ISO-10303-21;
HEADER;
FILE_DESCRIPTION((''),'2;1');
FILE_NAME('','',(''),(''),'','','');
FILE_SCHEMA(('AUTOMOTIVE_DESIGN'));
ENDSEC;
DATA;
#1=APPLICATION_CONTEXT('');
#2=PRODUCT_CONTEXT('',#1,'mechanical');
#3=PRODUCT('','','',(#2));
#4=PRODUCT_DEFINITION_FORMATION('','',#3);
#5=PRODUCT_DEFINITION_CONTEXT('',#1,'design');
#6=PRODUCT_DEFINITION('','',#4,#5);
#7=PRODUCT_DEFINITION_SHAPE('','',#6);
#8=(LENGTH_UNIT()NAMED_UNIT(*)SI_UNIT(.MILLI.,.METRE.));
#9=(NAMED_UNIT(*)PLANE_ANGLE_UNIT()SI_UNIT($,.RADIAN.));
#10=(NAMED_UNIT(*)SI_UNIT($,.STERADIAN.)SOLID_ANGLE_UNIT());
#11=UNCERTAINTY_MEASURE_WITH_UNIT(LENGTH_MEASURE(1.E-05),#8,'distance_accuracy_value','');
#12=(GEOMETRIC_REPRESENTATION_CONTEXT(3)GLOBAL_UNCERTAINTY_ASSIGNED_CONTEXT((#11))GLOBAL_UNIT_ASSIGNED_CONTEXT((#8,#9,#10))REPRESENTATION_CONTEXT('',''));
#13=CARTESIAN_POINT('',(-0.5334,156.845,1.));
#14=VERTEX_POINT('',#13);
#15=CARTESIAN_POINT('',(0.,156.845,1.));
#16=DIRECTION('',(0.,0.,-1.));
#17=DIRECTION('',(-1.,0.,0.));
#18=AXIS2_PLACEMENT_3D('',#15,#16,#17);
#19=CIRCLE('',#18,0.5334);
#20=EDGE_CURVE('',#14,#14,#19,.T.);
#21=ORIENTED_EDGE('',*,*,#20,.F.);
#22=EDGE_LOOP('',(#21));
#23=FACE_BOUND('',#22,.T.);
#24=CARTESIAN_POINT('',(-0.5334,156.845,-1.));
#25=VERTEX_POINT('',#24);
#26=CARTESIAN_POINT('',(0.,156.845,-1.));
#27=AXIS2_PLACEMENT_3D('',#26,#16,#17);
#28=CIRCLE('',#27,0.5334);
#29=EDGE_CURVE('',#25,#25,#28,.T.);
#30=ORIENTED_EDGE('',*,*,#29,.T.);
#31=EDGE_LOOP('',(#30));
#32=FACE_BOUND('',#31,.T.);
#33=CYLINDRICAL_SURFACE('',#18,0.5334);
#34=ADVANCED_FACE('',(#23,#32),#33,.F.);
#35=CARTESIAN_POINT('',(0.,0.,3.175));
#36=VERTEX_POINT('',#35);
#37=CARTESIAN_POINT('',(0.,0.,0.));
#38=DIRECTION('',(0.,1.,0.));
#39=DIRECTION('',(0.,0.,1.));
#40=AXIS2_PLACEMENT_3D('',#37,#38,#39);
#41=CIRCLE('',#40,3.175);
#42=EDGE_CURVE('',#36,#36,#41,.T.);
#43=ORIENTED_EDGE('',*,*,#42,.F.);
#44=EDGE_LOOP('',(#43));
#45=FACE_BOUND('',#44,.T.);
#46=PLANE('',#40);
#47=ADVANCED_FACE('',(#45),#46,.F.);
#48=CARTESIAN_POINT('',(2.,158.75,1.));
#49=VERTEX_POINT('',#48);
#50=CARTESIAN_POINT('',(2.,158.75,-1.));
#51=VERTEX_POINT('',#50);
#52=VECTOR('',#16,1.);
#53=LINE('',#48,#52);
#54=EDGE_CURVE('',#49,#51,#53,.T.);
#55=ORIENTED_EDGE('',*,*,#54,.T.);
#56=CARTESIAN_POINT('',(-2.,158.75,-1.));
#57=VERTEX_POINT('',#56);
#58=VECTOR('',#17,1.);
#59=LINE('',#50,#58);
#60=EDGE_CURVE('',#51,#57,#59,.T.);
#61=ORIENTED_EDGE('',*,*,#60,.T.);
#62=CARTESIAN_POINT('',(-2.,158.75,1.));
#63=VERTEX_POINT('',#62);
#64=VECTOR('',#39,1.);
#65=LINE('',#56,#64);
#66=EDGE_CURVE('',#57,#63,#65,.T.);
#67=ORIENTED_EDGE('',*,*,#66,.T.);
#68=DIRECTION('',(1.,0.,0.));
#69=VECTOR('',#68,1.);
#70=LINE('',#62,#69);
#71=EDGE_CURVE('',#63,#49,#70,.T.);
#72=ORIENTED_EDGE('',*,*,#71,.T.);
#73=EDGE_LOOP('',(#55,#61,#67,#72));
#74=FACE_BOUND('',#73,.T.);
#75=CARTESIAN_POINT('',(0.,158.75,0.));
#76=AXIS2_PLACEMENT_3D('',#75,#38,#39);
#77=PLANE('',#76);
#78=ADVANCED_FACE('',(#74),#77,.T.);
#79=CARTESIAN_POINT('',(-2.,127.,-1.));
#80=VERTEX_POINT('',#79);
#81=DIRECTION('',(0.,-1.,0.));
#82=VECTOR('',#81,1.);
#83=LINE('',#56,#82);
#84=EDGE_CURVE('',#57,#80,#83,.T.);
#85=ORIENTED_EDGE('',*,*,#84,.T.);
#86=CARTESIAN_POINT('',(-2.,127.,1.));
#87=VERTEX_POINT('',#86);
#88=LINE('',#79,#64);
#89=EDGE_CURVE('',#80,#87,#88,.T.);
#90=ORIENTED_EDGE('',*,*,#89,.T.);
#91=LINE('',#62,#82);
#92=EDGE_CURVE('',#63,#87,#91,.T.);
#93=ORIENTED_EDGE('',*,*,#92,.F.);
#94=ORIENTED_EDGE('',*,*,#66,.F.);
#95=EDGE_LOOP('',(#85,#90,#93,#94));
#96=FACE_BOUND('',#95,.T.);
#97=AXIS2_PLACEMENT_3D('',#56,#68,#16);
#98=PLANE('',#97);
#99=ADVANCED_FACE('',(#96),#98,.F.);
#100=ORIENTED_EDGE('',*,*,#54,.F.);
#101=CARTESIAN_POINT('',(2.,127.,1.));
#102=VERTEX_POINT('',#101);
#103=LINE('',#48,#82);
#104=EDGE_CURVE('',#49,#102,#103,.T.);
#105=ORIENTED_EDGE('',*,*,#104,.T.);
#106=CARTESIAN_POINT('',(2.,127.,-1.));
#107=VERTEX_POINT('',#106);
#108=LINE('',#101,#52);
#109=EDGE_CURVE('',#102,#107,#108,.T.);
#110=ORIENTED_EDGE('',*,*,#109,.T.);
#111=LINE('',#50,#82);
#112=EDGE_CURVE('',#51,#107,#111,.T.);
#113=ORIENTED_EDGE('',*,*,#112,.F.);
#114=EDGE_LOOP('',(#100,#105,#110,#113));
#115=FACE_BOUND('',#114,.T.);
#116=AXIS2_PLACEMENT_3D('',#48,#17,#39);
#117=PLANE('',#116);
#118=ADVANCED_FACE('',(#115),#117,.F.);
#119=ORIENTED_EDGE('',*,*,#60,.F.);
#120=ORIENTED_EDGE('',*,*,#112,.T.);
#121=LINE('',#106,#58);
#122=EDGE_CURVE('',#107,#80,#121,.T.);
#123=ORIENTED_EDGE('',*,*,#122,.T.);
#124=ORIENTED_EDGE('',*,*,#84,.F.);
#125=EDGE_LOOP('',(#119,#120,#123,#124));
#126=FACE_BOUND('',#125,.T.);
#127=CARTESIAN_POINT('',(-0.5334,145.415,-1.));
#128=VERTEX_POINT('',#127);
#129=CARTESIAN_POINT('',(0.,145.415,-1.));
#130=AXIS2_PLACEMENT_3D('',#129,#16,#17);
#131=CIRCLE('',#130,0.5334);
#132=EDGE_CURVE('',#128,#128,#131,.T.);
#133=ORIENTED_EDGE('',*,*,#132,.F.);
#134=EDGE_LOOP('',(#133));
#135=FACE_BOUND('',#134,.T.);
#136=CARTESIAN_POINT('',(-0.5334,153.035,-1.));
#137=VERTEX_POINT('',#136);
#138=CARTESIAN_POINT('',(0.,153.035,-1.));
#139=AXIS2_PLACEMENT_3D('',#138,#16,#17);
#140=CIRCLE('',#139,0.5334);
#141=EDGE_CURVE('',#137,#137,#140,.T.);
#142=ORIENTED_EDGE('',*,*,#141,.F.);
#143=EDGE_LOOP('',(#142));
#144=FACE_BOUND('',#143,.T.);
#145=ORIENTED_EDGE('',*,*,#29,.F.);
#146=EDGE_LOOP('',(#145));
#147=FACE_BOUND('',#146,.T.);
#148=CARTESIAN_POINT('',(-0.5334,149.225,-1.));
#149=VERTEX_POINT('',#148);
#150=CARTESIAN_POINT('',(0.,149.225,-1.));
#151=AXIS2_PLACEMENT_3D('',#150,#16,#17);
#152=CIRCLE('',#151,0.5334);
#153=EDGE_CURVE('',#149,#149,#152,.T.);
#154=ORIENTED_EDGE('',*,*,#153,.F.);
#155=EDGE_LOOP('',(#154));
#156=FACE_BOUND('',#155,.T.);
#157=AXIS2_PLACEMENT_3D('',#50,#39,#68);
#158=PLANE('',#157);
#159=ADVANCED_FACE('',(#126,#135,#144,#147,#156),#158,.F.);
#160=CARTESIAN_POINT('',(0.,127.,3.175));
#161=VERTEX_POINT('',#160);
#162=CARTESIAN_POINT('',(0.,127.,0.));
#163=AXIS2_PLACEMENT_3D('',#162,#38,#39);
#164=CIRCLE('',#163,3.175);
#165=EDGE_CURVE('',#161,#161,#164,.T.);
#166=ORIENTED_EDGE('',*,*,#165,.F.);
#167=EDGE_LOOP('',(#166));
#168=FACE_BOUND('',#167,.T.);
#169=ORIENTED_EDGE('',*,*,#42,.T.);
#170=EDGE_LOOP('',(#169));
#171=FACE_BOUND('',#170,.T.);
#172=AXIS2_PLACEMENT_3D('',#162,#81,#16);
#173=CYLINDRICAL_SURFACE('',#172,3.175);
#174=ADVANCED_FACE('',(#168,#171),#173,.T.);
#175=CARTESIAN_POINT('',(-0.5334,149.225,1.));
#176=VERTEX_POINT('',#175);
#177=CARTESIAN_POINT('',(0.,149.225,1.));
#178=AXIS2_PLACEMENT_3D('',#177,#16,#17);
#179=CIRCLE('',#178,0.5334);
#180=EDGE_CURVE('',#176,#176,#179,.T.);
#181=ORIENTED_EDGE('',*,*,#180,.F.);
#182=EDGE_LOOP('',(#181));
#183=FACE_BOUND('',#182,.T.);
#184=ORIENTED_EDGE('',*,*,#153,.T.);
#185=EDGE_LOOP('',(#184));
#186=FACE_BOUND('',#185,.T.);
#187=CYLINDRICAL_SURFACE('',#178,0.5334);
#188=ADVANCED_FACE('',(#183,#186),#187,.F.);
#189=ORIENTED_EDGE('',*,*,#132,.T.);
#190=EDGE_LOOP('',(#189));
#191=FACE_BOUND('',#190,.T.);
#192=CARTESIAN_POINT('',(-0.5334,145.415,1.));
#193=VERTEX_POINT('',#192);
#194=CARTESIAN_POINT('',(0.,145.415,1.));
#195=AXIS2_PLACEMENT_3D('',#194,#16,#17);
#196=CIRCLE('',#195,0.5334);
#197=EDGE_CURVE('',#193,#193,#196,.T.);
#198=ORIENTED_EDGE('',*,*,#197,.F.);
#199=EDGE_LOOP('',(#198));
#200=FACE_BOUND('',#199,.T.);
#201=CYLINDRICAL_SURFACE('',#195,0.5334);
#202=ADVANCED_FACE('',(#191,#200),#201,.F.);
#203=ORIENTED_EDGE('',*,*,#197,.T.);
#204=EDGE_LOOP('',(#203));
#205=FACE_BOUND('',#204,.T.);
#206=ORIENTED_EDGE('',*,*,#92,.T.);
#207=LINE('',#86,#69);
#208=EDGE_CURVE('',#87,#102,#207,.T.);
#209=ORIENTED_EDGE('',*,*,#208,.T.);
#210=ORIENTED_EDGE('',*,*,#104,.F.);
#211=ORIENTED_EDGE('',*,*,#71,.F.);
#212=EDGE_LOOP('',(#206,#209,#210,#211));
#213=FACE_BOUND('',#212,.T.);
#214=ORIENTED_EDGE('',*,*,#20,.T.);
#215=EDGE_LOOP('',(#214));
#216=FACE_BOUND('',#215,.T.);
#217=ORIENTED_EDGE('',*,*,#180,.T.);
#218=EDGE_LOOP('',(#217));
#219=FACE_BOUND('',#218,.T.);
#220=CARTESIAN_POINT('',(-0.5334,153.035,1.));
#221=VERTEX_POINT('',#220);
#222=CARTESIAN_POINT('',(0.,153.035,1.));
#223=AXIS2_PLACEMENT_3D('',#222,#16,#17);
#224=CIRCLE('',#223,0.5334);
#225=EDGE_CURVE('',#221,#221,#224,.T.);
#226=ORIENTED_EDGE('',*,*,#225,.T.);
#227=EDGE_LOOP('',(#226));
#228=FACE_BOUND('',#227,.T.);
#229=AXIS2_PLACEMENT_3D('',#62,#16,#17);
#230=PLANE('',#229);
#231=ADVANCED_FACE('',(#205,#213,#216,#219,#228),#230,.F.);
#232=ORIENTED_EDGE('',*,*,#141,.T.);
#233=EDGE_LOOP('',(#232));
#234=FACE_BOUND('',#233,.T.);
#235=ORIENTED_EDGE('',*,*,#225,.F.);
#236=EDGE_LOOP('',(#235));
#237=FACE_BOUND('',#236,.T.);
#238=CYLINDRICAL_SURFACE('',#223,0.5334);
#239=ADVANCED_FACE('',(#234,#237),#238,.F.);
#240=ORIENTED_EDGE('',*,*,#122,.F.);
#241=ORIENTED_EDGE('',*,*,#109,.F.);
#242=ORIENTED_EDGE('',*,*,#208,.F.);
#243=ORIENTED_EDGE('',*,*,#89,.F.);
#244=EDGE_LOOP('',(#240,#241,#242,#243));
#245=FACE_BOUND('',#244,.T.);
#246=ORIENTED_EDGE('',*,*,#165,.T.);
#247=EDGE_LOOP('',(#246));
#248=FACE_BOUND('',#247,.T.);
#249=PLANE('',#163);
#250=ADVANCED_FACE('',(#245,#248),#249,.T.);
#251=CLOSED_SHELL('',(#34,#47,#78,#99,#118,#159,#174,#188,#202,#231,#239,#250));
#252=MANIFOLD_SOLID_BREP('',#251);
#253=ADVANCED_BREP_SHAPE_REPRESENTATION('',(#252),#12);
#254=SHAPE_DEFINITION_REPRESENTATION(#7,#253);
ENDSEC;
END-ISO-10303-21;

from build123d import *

# Parameters (mm, degrees)
SKETCH1_R           = 3.175
BOSS_EXTRUDE1_DEPTH = 127
SKETCH4_W           = 4.000000128
SKETCH4_H           = 2
BOSS_EXTRUDE2_DEPTH = 31.75
SKETCH5_R           = 0.5334
CUT_EXTRUDE1_DEPTH  = 2


with BuildPart() as part:
    # Sketch1 → Boss-Extrude1 (new body)
    with BuildSketch(Plane(origin=(0, 0, 0), x_dir=(1, 0, 0), z_dir=(0, 1, 0))):
        with Locations(Location((0, 0, 0), (0, 0, 270))):
            Circle(SKETCH1_R)
    extrude(amount=BOSS_EXTRUDE1_DEPTH)

    # Sketch4 → Boss-Extrude2 (add)
    with BuildSketch(Plane(origin=(0, 127, 0), x_dir=(1, 0, 0), z_dir=(0, 1, 0))):
        with Locations((6.4e-08, 0)):
            Rectangle(SKETCH4_W, SKETCH4_H)
    extrude(amount=BOSS_EXTRUDE2_DEPTH)

    # Sketch5 → Cut-Extrude1 (cut)
    with BuildSketch(Plane(origin=(0, 0, -1), x_dir=(-1, 0, 0), z_dir=(0, 0, -1))):
        with Locations((0, 156.845)):
            Circle(SKETCH5_R)
        with Locations((0, 153.035)):
            Circle(SKETCH5_R)
        with Locations((0, 149.225)):
            Circle(SKETCH5_R)
        with Locations((0, 145.415)):
            Circle(SKETCH5_R)
    extrude(amount=-CUT_EXTRUDE1_DEPTH, mode=Mode.SUBTRACT)


solid = part.part
